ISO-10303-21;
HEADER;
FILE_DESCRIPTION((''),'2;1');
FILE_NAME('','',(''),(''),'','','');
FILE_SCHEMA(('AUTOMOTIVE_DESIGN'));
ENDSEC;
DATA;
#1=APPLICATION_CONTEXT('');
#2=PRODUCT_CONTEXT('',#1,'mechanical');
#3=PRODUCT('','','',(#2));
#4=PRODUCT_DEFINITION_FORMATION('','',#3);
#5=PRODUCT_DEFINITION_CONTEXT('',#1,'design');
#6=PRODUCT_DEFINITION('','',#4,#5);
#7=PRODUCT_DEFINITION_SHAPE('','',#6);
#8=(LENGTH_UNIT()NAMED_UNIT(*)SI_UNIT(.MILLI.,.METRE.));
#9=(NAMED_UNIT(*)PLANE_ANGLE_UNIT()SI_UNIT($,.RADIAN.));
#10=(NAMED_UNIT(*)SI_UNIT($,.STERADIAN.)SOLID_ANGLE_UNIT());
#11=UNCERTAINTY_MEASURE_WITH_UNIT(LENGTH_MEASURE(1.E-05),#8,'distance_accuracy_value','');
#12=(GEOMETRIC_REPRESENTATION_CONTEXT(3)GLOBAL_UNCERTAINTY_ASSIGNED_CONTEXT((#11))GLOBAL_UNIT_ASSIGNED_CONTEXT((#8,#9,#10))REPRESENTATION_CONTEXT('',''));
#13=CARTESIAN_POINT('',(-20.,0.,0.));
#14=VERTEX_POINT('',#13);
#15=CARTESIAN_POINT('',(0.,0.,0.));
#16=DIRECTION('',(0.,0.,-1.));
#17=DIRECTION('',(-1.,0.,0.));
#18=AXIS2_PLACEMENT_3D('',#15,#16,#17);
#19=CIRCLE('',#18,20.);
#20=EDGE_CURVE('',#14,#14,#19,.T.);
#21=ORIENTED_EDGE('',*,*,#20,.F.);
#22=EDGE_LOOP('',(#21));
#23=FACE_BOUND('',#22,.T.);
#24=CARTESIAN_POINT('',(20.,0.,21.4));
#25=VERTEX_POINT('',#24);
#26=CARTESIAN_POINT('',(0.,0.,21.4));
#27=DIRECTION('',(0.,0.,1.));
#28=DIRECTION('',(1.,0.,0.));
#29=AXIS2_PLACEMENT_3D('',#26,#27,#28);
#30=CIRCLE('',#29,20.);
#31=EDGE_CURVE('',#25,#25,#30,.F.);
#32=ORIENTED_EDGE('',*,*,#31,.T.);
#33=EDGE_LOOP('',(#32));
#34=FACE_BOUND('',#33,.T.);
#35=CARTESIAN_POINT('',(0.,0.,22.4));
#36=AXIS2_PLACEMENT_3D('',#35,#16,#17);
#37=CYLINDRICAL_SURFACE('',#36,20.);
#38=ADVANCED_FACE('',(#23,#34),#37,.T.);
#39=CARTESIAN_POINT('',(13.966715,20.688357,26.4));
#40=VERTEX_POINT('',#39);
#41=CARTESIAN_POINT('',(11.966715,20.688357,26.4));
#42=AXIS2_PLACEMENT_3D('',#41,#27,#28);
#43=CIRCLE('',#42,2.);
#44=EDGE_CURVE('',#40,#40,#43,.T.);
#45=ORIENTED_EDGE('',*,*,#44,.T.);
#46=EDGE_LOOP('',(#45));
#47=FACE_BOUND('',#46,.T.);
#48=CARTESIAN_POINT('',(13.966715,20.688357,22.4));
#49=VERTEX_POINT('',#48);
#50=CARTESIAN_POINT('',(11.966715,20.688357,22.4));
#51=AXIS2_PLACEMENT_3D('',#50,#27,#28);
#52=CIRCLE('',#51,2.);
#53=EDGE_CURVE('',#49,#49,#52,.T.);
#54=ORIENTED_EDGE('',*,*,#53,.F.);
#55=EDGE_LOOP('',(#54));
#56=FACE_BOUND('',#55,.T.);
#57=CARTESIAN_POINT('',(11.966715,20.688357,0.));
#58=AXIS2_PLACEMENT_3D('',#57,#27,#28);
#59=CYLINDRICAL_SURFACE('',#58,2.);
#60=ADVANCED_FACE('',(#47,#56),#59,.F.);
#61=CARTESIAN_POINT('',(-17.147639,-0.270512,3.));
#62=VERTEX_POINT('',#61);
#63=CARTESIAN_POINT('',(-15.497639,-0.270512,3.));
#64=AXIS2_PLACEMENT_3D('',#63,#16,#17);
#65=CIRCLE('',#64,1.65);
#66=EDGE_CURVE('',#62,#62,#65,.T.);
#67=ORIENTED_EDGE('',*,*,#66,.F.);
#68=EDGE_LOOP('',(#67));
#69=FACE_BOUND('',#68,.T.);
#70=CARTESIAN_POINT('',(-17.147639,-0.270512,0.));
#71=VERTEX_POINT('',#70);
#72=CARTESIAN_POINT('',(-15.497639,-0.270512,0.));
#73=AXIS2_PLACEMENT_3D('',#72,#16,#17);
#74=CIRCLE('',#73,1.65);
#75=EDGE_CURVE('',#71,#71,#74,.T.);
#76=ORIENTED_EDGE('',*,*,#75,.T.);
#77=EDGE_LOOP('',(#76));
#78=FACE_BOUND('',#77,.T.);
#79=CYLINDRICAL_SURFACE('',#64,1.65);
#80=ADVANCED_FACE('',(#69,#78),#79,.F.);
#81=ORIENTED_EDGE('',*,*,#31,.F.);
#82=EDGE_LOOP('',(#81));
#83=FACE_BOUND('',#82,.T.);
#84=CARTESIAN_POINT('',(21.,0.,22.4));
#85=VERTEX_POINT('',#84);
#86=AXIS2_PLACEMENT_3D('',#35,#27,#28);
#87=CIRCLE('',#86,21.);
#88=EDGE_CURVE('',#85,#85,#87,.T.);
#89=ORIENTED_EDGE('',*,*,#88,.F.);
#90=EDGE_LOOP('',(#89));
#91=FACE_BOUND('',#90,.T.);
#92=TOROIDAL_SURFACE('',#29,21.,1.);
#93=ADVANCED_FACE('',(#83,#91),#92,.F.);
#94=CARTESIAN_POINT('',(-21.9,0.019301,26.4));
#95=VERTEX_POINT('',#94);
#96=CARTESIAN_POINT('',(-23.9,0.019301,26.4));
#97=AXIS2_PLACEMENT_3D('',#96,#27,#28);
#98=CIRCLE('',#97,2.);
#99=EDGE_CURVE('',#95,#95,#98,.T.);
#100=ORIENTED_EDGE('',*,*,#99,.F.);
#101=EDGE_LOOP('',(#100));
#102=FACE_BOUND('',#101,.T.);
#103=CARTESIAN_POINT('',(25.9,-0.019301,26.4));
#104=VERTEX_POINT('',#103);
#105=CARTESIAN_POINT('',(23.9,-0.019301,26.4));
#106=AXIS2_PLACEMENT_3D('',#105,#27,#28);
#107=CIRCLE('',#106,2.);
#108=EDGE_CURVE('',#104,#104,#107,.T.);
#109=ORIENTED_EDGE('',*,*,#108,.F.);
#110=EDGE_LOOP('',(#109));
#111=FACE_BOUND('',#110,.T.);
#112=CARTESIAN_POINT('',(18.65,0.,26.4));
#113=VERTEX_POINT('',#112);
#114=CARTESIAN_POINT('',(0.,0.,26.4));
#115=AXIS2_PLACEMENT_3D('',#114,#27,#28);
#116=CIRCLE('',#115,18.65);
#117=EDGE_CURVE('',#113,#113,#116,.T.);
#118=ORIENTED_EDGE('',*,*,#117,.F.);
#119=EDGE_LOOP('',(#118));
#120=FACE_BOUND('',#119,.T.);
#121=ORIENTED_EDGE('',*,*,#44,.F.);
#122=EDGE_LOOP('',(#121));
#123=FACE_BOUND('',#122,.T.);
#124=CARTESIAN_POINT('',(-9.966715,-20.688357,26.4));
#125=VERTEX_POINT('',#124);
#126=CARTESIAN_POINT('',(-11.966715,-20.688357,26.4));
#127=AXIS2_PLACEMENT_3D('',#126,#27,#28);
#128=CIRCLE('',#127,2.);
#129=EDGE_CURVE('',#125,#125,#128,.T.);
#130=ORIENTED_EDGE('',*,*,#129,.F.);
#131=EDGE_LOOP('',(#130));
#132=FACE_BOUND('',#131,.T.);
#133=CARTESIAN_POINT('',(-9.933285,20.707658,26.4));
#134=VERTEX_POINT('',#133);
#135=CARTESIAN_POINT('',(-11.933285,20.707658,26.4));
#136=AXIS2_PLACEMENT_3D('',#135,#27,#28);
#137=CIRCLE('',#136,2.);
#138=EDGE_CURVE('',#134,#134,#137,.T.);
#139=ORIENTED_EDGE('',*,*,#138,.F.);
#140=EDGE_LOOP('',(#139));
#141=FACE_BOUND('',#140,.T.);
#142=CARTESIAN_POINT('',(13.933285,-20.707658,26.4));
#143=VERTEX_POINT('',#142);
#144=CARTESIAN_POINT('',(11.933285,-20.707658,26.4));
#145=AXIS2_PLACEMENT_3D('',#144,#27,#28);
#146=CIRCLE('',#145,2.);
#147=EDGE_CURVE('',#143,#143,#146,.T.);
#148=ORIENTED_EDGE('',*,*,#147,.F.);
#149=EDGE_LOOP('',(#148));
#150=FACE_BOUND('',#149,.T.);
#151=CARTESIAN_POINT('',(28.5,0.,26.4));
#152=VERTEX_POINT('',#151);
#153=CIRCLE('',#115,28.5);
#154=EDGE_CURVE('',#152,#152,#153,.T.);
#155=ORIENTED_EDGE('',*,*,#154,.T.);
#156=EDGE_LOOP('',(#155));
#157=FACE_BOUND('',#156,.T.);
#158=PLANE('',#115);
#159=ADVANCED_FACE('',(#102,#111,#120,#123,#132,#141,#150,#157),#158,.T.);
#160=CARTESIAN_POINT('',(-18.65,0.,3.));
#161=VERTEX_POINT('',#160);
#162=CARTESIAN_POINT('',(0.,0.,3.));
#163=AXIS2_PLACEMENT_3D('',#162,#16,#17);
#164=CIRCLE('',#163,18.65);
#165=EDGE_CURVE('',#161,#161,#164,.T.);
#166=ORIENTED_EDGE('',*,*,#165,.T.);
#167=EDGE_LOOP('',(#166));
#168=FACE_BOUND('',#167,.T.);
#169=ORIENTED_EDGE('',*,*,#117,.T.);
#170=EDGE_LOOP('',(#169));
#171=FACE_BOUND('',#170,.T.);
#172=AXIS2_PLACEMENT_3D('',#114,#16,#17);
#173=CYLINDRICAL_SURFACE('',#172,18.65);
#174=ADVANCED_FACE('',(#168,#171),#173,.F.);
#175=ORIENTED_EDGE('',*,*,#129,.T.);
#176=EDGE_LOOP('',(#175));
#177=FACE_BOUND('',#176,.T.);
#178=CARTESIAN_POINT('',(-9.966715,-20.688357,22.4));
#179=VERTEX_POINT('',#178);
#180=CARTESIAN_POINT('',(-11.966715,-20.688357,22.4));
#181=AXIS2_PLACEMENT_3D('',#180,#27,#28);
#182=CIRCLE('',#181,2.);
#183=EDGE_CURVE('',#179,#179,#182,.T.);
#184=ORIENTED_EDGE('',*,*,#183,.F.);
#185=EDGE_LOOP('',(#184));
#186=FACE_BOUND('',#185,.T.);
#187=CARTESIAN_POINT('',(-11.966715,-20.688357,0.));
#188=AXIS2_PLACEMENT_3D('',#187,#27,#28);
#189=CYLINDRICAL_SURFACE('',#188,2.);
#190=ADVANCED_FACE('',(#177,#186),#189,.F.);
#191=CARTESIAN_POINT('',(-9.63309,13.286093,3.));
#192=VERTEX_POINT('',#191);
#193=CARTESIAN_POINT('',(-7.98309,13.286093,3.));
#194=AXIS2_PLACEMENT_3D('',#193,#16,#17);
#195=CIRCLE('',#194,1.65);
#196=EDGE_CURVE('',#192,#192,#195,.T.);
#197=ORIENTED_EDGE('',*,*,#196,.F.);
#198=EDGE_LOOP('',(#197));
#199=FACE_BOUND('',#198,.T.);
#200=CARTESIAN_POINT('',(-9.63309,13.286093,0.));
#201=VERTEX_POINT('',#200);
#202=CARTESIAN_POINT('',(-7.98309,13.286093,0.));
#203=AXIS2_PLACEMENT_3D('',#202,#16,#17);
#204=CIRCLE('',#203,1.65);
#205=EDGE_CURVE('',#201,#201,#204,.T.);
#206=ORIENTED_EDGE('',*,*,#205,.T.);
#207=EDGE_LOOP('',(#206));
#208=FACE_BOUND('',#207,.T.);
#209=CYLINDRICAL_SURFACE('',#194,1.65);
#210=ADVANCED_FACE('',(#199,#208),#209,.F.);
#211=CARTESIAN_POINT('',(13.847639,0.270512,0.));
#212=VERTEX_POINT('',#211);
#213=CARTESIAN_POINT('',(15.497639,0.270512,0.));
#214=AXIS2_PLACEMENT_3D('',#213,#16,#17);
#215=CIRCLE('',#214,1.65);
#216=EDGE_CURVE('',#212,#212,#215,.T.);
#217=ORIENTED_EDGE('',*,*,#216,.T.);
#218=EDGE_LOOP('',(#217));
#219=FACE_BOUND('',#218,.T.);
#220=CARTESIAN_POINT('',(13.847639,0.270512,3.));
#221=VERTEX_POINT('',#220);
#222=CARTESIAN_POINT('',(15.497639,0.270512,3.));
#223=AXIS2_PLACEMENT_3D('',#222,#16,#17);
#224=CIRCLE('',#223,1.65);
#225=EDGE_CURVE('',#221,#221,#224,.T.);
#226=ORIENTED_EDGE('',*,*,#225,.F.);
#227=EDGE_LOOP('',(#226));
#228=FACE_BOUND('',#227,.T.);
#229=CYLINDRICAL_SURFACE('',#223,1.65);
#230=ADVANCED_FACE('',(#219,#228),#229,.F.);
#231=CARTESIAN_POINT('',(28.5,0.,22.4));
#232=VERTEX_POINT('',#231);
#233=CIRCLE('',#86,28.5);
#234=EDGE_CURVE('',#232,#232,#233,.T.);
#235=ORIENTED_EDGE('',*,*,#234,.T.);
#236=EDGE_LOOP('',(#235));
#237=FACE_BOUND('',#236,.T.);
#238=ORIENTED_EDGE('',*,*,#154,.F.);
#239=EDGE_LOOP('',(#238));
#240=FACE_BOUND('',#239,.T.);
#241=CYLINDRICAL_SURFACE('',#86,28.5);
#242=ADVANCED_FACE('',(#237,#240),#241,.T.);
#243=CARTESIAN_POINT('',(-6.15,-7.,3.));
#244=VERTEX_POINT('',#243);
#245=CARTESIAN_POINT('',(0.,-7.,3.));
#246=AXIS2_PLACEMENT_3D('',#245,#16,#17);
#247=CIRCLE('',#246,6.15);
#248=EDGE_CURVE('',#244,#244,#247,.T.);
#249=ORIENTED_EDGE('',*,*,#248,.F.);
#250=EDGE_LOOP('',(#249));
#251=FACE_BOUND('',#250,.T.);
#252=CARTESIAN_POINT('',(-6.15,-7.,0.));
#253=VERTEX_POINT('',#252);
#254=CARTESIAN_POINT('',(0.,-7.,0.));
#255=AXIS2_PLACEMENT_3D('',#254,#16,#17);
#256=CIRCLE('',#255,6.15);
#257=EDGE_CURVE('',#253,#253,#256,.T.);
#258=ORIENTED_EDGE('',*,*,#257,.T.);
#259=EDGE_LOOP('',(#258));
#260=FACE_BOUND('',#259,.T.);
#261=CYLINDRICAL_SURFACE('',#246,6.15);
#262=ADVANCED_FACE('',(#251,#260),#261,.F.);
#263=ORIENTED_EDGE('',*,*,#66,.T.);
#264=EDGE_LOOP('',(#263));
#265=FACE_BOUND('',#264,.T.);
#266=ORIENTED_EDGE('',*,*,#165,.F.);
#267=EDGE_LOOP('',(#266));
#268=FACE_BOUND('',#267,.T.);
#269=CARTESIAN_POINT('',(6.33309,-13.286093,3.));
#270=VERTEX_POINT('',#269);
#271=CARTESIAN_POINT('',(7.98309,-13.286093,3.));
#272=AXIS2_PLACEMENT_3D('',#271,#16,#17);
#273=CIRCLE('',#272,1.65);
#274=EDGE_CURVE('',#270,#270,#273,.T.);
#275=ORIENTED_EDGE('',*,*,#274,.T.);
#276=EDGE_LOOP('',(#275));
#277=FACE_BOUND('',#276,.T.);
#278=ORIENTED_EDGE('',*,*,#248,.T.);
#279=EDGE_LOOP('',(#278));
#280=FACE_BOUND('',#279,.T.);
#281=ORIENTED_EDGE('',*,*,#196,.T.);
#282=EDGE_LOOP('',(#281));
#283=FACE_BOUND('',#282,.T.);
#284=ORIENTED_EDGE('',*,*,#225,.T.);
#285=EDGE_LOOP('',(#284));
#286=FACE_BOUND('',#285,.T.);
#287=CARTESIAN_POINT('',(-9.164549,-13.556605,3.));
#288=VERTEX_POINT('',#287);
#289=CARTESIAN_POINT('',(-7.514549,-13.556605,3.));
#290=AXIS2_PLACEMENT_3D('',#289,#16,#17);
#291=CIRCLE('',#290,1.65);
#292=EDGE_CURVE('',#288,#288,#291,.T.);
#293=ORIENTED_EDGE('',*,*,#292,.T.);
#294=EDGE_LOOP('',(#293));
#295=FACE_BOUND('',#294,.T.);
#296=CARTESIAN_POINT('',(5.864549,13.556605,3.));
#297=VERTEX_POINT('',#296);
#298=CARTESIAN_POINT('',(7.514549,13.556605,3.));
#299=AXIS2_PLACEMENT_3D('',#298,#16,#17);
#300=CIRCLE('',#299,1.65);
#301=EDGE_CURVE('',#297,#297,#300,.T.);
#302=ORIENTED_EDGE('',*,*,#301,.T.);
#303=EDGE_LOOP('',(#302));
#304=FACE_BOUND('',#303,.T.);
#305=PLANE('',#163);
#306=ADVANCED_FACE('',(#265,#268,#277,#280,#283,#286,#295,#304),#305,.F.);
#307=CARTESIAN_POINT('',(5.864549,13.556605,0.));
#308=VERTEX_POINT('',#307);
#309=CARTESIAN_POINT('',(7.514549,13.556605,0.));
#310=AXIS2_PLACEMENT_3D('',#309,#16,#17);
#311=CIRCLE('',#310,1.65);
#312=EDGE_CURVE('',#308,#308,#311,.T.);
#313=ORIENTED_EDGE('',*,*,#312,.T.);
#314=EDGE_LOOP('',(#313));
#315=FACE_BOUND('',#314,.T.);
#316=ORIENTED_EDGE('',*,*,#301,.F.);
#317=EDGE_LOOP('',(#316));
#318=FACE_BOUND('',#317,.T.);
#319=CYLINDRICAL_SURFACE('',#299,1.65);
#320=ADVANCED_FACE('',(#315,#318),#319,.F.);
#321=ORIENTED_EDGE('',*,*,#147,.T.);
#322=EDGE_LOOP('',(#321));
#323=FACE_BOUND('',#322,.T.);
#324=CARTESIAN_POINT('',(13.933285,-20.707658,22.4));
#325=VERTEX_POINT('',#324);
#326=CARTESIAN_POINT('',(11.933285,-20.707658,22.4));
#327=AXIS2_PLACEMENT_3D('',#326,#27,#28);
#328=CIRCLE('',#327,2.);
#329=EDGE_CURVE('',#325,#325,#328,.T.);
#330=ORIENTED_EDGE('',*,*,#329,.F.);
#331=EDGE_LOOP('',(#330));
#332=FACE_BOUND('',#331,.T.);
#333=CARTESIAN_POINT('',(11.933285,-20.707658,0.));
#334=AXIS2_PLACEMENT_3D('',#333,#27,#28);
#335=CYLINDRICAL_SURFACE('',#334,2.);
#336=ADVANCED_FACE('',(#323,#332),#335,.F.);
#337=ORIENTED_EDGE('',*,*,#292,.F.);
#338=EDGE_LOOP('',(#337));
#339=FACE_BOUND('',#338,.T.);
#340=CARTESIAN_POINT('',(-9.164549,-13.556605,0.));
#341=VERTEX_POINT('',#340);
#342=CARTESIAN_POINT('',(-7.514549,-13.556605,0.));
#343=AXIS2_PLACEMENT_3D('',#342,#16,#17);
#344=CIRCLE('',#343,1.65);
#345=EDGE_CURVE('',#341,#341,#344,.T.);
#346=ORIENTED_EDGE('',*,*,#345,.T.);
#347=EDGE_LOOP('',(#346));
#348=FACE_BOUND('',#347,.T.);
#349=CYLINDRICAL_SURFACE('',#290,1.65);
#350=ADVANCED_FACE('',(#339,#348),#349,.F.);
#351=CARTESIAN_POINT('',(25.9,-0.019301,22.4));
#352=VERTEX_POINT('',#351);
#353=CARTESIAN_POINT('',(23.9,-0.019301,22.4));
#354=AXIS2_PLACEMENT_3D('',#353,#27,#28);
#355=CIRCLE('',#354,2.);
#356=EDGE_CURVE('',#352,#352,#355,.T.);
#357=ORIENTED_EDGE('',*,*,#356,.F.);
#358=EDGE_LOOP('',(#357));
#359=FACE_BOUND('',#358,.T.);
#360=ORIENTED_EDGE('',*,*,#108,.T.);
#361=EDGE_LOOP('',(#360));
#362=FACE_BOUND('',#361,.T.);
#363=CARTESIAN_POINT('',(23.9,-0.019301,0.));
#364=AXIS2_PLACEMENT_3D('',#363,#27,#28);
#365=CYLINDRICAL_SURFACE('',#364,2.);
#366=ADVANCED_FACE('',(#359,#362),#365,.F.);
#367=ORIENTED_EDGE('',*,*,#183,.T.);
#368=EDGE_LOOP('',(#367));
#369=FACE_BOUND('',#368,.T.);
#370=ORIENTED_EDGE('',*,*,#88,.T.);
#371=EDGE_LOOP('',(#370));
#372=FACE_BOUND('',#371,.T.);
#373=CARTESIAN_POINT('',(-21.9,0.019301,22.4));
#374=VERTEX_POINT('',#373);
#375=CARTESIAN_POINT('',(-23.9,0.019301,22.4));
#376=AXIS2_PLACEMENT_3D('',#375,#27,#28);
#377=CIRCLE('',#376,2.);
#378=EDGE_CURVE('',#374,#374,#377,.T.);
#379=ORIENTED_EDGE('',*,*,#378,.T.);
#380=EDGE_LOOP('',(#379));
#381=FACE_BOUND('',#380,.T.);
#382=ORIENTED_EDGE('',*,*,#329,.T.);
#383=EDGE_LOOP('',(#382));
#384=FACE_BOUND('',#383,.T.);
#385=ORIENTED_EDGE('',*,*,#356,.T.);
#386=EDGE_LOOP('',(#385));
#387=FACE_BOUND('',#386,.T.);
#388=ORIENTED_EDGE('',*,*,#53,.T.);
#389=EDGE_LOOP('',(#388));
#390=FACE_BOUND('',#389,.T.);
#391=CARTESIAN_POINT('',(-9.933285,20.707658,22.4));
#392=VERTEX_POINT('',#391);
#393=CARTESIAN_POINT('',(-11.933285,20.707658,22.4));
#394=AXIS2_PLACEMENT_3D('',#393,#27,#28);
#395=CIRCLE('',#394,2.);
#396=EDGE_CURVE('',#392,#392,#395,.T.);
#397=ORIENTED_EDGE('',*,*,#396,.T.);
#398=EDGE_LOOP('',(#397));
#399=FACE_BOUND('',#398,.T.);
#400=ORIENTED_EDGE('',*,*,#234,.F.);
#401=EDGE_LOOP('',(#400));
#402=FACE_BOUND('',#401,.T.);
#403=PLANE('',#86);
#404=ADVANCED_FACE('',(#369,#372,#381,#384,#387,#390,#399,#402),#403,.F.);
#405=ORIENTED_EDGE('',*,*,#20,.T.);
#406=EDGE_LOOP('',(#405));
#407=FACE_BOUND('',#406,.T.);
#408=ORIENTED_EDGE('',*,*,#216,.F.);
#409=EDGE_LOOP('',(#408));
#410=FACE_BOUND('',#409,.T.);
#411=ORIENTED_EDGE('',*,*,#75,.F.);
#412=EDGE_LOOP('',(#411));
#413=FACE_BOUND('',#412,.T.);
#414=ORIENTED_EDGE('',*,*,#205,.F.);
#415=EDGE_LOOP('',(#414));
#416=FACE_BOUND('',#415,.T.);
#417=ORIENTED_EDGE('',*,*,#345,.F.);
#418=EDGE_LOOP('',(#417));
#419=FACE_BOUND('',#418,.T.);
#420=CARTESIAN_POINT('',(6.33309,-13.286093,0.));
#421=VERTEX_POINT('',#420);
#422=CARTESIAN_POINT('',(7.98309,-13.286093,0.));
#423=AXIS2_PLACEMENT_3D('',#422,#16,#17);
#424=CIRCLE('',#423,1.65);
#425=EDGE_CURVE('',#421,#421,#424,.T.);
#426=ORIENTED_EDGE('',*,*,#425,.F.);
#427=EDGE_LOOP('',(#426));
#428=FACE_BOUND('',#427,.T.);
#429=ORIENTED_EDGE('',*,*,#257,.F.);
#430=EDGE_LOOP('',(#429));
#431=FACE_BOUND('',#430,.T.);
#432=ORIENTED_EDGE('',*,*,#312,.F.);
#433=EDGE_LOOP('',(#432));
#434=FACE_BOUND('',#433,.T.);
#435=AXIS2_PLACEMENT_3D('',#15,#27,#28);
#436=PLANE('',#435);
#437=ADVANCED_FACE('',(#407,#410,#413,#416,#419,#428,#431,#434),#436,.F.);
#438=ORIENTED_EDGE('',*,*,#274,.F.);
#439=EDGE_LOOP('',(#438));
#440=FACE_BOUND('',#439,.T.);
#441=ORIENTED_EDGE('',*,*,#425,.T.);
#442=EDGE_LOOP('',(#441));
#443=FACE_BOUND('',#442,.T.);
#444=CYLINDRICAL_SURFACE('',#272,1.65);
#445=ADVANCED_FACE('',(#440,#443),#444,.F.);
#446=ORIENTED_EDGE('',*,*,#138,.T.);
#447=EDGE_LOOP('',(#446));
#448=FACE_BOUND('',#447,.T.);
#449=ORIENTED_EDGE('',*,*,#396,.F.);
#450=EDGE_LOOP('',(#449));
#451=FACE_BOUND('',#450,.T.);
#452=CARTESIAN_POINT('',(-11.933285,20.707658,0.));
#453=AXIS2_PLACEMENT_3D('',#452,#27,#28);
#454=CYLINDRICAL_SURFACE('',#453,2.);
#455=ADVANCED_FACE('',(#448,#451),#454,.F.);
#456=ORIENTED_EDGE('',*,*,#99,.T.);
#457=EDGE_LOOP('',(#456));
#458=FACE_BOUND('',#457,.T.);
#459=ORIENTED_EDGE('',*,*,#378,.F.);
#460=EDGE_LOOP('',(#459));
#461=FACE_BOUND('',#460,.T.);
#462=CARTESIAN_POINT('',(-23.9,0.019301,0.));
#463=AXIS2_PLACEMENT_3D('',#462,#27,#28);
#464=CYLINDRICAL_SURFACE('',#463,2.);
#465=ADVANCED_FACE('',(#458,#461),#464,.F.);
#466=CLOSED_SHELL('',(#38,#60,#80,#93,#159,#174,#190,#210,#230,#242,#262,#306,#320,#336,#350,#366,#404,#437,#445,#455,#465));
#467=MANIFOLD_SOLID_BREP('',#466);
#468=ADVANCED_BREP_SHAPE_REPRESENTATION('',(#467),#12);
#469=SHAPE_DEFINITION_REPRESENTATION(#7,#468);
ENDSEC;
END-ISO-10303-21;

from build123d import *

# Parameters (mm, degrees)
CROQUIS1_R              = 21.4
CROQUIS1_R_2            = 18.65
SALIENTE_EXTRUIR1_DEPTH = 26.4
CROQUIS2_R              = 18.65
SALIENTE_EXTRUIR2_DEPTH = 3
SALIENTE_EXTRUIR3_START = -4
CROQUIS3_R              = 28.5
CROQUIS3_R_2            = 21.4
SALIENTE_EXTRUIR3_DEPTH = 4
CROQUIS4_R              = 6.15
CROQUIS4_R_2            = 1.65
CORTAR_EXTRUIR1_DEPTH   = 3
CROQUIS6_R              = 2
CORTAR_EXTRUIR2_DEPTH   = 49.181531732
CROQUIS7_R              = 21.4
CROQUIS7_R_2            = 20
CORTAR_EXTRUIR3_DEPTH   = 22.4
REDONDEO1_R             = 1


with BuildPart() as part:
    # Croquis1 → Saliente-Extruir1 (new body)
    with BuildSketch(Plane.XY):
        Circle(CROQUIS1_R)
        Circle(CROQUIS1_R_2, mode=Mode.SUBTRACT)
    extrude(amount=SALIENTE_EXTRUIR1_DEPTH)

    # Croquis2 → Saliente-Extruir2 (add)
    with BuildSketch(Plane(origin=(0, 0, 0), x_dir=(-1, 0, 0), z_dir=(0, 0, -1))):
        Circle(CROQUIS2_R)
    extrude(amount=-SALIENTE_EXTRUIR2_DEPTH)

    # Croquis3 → Saliente-Extruir3 (add)
    with BuildSketch(Plane.XY.offset(26.4).offset(SALIENTE_EXTRUIR3_START)):
        Circle(CROQUIS3_R)
        Circle(CROQUIS3_R_2, mode=Mode.SUBTRACT)
    extrude(amount=SALIENTE_EXTRUIR3_DEPTH)

    # Croquis4 → Cortar-Extruir1 (cut)
    with BuildSketch(Plane(origin=(0, 0, 0), x_dir=(-1, 0, 0), z_dir=(0, 0, -1))):
        with Locations((0, -7)):
            Circle(CROQUIS4_R)
        with Locations((-15.497639275, 0.2705123)):
            Circle(CROQUIS4_R_2)
        with Locations((-7.514549114, 13.556605461)):
            Circle(CROQUIS4_R_2)
        with Locations((7.983090161, 13.286093161)):
            Circle(CROQUIS4_R_2)
        with Locations((15.497639275, -0.2705123)):
            Circle(CROQUIS4_R_2)
        with Locations((7.514549114, -13.556605461)):
            Circle(CROQUIS4_R_2)
        with Locations((-7.983090161, -13.286093161)):
            Circle(CROQUIS4_R_2)
    extrude(amount=-CORTAR_EXTRUIR1_DEPTH, mode=Mode.SUBTRACT)

    # Croquis6 → Cortar-Extruir2 (cut, through all)
    with BuildSketch(Plane.XY.offset(26.4)):
        with Locations((11.96671541, 20.688356504)):
            Circle(CROQUIS6_R)
        with Locations((23.9, -0.019301293)):
            Circle(CROQUIS6_R)
        with Locations((-11.93328459, 20.707657797)):
            Circle(CROQUIS6_R)
        with Locations((11.93328459, -20.707657797)):
            Circle(CROQUIS6_R)
        with Locations((-11.96671541, -20.688356504)):
            Circle(CROQUIS6_R)
        with Locations((-23.9, 0.019301293)):
            Circle(CROQUIS6_R)
    extrude(amount=-CORTAR_EXTRUIR2_DEPTH, mode=Mode.SUBTRACT)

    # Croquis7 → Cortar-Extruir3 (cut)
    with BuildSketch(Plane(origin=(0, 0, 0), x_dir=(-1, 0, 0), z_dir=(0, 0, -1))):
        Circle(CROQUIS7_R)
        Circle(CROQUIS7_R_2, mode=Mode.SUBTRACT)
    extrude(amount=-CORTAR_EXTRUIR3_DEPTH, mode=Mode.SUBTRACT)

    # Redondeo1
    redondeo1_edges = [part.edges().sort_by_distance(p)[0] for p in [
        (20, 0, 22.4),
    ]]
    fillet(redondeo1_edges, radius=REDONDEO1_R)


solid = part.part
